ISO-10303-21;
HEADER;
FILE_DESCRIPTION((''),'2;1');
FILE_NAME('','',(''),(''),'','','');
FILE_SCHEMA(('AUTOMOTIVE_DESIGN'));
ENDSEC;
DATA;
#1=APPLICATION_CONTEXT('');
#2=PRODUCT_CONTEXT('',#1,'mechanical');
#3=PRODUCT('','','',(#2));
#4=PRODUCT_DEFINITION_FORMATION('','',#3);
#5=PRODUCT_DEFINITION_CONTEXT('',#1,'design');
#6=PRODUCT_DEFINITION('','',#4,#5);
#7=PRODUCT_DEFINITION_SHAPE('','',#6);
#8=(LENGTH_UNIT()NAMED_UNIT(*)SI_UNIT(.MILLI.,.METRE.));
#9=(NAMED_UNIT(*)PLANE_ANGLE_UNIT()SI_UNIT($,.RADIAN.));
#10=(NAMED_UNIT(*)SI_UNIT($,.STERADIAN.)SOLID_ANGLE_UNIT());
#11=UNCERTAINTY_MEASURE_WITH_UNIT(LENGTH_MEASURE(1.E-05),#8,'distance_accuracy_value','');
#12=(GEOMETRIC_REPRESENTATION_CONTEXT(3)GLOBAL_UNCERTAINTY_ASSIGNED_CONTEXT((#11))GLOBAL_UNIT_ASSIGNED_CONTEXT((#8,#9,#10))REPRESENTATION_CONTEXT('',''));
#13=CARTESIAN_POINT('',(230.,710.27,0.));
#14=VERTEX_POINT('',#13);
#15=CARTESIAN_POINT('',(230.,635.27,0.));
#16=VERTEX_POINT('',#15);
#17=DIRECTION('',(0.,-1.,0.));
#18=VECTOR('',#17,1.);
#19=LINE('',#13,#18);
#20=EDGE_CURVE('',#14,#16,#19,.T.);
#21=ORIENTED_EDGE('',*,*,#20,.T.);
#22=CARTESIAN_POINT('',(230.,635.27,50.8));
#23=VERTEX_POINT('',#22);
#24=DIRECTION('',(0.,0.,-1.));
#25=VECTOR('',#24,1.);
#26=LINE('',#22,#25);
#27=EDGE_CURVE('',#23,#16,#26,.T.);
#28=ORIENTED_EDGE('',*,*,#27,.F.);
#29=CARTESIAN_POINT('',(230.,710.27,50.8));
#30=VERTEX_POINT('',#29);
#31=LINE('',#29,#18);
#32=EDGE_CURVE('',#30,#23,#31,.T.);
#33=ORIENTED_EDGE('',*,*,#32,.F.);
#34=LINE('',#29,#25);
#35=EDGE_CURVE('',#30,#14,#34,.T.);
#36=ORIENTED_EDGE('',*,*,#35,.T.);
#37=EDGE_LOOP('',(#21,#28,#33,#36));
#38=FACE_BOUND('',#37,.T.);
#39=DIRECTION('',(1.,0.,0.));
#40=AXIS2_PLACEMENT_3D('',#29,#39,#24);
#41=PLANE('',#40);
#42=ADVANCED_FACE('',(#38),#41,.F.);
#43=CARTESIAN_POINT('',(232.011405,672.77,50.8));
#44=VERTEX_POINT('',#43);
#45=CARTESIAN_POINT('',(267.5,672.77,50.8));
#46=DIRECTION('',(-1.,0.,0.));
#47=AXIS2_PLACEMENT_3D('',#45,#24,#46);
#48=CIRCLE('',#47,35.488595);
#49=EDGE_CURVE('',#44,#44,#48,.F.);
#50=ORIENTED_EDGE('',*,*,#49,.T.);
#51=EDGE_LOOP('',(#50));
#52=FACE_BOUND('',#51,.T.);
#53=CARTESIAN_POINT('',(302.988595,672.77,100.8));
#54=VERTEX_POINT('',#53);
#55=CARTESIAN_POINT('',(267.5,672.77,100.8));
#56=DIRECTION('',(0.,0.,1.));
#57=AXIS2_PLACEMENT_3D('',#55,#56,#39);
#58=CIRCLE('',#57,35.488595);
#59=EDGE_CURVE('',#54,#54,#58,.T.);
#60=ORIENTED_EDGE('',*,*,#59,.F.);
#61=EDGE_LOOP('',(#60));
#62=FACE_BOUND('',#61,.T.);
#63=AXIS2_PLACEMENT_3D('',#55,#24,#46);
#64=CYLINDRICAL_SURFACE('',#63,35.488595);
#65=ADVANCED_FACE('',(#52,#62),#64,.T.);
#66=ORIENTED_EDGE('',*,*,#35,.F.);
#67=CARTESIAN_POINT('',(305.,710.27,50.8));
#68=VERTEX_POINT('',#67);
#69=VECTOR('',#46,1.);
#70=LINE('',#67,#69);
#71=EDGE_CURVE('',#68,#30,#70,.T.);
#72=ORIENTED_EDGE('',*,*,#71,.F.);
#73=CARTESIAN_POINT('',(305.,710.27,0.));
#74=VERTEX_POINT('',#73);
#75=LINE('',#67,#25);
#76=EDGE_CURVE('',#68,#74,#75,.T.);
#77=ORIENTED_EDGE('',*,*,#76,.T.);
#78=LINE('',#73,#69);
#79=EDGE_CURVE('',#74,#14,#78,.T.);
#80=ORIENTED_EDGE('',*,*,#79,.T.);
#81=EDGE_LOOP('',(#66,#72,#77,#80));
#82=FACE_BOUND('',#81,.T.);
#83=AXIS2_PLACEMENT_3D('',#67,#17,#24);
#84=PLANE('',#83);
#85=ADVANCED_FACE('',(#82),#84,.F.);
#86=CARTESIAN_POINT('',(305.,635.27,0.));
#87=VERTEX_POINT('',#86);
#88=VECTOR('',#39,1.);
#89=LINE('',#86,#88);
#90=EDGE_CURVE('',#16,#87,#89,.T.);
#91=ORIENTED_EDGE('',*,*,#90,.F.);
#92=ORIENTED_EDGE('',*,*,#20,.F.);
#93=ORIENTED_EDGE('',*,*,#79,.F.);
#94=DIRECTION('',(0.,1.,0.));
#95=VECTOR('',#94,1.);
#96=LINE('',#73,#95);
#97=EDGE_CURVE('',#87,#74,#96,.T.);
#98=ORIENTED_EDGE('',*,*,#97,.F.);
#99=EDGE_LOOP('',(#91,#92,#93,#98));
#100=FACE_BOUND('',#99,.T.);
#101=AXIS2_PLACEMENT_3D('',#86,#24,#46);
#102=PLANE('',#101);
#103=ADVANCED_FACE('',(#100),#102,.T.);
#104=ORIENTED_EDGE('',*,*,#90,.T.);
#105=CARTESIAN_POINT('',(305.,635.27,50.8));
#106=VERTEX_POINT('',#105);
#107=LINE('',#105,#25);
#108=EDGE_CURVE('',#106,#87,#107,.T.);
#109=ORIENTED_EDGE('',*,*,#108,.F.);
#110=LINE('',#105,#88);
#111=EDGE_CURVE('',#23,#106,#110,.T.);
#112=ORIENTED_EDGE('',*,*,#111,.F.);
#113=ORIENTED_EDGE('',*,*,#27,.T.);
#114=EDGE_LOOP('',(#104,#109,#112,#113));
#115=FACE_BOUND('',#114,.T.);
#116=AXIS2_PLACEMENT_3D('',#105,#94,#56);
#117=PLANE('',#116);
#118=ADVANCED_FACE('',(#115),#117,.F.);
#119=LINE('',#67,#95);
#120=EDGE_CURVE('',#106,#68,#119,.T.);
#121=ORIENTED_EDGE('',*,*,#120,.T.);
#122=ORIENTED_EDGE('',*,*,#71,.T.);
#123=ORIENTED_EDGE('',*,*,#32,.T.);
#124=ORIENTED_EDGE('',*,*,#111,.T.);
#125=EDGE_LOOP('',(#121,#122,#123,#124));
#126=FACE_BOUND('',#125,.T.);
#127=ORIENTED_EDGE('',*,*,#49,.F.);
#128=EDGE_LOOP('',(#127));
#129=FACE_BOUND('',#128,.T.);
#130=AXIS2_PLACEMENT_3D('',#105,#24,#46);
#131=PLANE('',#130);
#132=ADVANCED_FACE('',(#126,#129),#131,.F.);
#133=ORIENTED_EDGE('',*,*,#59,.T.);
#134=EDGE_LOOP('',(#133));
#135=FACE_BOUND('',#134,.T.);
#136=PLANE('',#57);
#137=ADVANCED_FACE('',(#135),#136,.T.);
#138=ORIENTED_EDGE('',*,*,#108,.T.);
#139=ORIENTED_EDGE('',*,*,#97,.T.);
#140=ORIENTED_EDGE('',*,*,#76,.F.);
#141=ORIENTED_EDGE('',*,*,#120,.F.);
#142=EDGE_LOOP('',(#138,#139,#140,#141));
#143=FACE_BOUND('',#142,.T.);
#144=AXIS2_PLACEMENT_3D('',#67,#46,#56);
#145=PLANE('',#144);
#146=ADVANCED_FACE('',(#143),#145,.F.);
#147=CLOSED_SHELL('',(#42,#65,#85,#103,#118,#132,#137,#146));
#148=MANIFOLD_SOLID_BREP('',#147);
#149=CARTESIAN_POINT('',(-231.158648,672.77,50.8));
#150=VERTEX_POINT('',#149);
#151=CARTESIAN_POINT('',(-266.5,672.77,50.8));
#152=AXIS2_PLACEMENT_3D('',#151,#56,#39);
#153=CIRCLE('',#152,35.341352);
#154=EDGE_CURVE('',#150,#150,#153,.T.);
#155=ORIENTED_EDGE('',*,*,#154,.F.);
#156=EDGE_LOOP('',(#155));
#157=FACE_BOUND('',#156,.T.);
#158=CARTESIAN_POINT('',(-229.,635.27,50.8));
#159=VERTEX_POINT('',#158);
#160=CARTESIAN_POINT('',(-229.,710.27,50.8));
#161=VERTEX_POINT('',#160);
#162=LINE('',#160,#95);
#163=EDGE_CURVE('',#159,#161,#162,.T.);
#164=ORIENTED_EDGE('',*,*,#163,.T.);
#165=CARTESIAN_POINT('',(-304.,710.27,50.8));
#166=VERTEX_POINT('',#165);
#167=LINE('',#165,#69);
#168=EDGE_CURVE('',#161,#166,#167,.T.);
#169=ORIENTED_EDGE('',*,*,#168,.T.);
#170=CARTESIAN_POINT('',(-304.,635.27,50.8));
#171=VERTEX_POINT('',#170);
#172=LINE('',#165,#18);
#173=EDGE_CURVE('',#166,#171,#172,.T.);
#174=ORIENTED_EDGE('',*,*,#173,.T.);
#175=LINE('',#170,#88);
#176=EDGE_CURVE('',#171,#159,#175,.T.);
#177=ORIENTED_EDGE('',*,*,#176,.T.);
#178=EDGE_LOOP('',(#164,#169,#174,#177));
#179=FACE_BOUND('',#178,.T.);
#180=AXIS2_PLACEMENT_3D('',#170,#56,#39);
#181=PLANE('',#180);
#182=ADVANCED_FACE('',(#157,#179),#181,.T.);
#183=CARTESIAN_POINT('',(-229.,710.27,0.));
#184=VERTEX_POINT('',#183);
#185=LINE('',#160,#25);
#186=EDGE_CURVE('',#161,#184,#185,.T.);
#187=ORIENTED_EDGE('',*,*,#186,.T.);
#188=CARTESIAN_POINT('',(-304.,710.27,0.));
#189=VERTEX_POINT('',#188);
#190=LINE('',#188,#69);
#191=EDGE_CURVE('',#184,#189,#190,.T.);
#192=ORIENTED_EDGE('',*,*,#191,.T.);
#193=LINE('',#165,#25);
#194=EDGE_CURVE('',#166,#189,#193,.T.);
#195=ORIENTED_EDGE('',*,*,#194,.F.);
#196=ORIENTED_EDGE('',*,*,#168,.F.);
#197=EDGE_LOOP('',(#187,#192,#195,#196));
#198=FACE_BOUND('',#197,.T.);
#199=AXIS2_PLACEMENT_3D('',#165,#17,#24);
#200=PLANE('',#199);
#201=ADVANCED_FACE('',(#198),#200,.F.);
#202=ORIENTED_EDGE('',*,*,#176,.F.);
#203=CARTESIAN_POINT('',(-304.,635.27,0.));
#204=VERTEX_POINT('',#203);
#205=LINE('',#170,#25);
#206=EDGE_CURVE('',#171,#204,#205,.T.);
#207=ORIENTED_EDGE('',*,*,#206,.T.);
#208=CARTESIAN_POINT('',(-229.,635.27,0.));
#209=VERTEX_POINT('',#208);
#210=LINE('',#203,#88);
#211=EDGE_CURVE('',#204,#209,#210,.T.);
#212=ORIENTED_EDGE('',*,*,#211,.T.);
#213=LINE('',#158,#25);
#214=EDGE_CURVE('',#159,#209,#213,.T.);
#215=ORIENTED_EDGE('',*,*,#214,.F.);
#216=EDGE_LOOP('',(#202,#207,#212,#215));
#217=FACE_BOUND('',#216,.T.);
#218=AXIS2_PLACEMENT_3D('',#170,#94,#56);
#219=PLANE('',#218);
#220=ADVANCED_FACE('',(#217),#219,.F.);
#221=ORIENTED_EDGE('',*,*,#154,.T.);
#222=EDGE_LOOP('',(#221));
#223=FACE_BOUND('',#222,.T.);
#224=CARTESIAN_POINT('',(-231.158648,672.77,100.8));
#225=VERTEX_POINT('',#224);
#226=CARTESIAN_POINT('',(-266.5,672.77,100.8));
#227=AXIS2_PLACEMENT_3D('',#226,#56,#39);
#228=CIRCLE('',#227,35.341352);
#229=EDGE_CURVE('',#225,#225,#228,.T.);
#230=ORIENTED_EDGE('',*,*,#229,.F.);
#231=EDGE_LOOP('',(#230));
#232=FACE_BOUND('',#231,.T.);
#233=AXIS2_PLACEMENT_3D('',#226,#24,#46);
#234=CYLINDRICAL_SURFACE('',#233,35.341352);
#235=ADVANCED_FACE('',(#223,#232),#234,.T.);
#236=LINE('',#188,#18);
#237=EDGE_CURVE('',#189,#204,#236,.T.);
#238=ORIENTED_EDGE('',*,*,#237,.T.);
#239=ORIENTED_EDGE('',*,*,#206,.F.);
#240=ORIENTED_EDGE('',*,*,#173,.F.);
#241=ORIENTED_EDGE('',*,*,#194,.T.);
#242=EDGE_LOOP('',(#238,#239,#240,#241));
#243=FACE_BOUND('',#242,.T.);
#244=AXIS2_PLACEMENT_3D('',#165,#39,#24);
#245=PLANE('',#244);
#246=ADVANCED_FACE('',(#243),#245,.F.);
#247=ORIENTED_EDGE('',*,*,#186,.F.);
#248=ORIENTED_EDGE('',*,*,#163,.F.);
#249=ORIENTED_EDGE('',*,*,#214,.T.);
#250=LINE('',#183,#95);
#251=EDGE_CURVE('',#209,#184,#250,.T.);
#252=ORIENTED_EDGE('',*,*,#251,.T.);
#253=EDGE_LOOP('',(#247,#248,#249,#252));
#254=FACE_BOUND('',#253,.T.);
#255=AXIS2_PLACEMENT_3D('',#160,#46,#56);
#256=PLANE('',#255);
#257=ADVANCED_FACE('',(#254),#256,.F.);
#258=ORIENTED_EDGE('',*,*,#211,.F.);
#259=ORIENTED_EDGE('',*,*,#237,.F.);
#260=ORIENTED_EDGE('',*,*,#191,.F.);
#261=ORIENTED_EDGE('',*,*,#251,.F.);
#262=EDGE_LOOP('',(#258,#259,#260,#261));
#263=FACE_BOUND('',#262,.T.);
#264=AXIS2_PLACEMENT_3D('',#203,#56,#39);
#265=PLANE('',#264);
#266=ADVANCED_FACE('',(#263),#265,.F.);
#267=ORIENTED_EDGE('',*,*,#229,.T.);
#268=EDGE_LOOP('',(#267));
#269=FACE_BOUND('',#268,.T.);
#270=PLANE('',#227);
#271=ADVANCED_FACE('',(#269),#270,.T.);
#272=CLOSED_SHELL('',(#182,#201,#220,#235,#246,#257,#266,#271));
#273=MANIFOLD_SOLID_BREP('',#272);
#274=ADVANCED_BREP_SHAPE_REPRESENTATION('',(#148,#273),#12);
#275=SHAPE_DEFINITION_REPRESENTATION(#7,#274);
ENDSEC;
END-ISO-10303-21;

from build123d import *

# Parameters (mm, degrees)
SKETCH1_W             = 75
SKETCH1_H             = 75
BOSS_EXTRUDE1_DEPTH   = 50.8
BOSS_EXTRUDE1_2_DEPTH = 50.8
SKETCH2_R             = 35.488594607
SKETCH2_R_2           = 35.341352145
BOSS_EXTRUDE2_DEPTH   = 50


with BuildPart() as part:
    # Sketch1 → Boss-Extrude1 (new body)
    with BuildSketch(Plane.XY):
        with Locations((267.5, 672.77)):
            Rectangle(SKETCH1_W, SKETCH1_H)
    extrude(amount=BOSS_EXTRUDE1_DEPTH)



with BuildPart() as body_2:
    # Sketch1 → Boss-Extrude1 2 (new body)
    with BuildSketch(Plane.XY):
        with Locations((-266.5, 672.77)):
            Rectangle(SKETCH1_W, SKETCH1_H)
    extrude(amount=BOSS_EXTRUDE1_2_DEPTH)


with BuildPart() as part_1:
    add(part.part)

    add(body_2.part)  # Boss-Extrude2 merges body 2
    # Sketch2 → Boss-Extrude2 (add)
    with BuildSketch(Plane.XY.offset(50.8)):
        with Locations((267.5, 672.77)):
            Circle(SKETCH2_R)
        with Locations((-266.5, 672.77)):
            Circle(SKETCH2_R_2)
    extrude(amount=BOSS_EXTRUDE2_DEPTH)


solid = part_1.part
